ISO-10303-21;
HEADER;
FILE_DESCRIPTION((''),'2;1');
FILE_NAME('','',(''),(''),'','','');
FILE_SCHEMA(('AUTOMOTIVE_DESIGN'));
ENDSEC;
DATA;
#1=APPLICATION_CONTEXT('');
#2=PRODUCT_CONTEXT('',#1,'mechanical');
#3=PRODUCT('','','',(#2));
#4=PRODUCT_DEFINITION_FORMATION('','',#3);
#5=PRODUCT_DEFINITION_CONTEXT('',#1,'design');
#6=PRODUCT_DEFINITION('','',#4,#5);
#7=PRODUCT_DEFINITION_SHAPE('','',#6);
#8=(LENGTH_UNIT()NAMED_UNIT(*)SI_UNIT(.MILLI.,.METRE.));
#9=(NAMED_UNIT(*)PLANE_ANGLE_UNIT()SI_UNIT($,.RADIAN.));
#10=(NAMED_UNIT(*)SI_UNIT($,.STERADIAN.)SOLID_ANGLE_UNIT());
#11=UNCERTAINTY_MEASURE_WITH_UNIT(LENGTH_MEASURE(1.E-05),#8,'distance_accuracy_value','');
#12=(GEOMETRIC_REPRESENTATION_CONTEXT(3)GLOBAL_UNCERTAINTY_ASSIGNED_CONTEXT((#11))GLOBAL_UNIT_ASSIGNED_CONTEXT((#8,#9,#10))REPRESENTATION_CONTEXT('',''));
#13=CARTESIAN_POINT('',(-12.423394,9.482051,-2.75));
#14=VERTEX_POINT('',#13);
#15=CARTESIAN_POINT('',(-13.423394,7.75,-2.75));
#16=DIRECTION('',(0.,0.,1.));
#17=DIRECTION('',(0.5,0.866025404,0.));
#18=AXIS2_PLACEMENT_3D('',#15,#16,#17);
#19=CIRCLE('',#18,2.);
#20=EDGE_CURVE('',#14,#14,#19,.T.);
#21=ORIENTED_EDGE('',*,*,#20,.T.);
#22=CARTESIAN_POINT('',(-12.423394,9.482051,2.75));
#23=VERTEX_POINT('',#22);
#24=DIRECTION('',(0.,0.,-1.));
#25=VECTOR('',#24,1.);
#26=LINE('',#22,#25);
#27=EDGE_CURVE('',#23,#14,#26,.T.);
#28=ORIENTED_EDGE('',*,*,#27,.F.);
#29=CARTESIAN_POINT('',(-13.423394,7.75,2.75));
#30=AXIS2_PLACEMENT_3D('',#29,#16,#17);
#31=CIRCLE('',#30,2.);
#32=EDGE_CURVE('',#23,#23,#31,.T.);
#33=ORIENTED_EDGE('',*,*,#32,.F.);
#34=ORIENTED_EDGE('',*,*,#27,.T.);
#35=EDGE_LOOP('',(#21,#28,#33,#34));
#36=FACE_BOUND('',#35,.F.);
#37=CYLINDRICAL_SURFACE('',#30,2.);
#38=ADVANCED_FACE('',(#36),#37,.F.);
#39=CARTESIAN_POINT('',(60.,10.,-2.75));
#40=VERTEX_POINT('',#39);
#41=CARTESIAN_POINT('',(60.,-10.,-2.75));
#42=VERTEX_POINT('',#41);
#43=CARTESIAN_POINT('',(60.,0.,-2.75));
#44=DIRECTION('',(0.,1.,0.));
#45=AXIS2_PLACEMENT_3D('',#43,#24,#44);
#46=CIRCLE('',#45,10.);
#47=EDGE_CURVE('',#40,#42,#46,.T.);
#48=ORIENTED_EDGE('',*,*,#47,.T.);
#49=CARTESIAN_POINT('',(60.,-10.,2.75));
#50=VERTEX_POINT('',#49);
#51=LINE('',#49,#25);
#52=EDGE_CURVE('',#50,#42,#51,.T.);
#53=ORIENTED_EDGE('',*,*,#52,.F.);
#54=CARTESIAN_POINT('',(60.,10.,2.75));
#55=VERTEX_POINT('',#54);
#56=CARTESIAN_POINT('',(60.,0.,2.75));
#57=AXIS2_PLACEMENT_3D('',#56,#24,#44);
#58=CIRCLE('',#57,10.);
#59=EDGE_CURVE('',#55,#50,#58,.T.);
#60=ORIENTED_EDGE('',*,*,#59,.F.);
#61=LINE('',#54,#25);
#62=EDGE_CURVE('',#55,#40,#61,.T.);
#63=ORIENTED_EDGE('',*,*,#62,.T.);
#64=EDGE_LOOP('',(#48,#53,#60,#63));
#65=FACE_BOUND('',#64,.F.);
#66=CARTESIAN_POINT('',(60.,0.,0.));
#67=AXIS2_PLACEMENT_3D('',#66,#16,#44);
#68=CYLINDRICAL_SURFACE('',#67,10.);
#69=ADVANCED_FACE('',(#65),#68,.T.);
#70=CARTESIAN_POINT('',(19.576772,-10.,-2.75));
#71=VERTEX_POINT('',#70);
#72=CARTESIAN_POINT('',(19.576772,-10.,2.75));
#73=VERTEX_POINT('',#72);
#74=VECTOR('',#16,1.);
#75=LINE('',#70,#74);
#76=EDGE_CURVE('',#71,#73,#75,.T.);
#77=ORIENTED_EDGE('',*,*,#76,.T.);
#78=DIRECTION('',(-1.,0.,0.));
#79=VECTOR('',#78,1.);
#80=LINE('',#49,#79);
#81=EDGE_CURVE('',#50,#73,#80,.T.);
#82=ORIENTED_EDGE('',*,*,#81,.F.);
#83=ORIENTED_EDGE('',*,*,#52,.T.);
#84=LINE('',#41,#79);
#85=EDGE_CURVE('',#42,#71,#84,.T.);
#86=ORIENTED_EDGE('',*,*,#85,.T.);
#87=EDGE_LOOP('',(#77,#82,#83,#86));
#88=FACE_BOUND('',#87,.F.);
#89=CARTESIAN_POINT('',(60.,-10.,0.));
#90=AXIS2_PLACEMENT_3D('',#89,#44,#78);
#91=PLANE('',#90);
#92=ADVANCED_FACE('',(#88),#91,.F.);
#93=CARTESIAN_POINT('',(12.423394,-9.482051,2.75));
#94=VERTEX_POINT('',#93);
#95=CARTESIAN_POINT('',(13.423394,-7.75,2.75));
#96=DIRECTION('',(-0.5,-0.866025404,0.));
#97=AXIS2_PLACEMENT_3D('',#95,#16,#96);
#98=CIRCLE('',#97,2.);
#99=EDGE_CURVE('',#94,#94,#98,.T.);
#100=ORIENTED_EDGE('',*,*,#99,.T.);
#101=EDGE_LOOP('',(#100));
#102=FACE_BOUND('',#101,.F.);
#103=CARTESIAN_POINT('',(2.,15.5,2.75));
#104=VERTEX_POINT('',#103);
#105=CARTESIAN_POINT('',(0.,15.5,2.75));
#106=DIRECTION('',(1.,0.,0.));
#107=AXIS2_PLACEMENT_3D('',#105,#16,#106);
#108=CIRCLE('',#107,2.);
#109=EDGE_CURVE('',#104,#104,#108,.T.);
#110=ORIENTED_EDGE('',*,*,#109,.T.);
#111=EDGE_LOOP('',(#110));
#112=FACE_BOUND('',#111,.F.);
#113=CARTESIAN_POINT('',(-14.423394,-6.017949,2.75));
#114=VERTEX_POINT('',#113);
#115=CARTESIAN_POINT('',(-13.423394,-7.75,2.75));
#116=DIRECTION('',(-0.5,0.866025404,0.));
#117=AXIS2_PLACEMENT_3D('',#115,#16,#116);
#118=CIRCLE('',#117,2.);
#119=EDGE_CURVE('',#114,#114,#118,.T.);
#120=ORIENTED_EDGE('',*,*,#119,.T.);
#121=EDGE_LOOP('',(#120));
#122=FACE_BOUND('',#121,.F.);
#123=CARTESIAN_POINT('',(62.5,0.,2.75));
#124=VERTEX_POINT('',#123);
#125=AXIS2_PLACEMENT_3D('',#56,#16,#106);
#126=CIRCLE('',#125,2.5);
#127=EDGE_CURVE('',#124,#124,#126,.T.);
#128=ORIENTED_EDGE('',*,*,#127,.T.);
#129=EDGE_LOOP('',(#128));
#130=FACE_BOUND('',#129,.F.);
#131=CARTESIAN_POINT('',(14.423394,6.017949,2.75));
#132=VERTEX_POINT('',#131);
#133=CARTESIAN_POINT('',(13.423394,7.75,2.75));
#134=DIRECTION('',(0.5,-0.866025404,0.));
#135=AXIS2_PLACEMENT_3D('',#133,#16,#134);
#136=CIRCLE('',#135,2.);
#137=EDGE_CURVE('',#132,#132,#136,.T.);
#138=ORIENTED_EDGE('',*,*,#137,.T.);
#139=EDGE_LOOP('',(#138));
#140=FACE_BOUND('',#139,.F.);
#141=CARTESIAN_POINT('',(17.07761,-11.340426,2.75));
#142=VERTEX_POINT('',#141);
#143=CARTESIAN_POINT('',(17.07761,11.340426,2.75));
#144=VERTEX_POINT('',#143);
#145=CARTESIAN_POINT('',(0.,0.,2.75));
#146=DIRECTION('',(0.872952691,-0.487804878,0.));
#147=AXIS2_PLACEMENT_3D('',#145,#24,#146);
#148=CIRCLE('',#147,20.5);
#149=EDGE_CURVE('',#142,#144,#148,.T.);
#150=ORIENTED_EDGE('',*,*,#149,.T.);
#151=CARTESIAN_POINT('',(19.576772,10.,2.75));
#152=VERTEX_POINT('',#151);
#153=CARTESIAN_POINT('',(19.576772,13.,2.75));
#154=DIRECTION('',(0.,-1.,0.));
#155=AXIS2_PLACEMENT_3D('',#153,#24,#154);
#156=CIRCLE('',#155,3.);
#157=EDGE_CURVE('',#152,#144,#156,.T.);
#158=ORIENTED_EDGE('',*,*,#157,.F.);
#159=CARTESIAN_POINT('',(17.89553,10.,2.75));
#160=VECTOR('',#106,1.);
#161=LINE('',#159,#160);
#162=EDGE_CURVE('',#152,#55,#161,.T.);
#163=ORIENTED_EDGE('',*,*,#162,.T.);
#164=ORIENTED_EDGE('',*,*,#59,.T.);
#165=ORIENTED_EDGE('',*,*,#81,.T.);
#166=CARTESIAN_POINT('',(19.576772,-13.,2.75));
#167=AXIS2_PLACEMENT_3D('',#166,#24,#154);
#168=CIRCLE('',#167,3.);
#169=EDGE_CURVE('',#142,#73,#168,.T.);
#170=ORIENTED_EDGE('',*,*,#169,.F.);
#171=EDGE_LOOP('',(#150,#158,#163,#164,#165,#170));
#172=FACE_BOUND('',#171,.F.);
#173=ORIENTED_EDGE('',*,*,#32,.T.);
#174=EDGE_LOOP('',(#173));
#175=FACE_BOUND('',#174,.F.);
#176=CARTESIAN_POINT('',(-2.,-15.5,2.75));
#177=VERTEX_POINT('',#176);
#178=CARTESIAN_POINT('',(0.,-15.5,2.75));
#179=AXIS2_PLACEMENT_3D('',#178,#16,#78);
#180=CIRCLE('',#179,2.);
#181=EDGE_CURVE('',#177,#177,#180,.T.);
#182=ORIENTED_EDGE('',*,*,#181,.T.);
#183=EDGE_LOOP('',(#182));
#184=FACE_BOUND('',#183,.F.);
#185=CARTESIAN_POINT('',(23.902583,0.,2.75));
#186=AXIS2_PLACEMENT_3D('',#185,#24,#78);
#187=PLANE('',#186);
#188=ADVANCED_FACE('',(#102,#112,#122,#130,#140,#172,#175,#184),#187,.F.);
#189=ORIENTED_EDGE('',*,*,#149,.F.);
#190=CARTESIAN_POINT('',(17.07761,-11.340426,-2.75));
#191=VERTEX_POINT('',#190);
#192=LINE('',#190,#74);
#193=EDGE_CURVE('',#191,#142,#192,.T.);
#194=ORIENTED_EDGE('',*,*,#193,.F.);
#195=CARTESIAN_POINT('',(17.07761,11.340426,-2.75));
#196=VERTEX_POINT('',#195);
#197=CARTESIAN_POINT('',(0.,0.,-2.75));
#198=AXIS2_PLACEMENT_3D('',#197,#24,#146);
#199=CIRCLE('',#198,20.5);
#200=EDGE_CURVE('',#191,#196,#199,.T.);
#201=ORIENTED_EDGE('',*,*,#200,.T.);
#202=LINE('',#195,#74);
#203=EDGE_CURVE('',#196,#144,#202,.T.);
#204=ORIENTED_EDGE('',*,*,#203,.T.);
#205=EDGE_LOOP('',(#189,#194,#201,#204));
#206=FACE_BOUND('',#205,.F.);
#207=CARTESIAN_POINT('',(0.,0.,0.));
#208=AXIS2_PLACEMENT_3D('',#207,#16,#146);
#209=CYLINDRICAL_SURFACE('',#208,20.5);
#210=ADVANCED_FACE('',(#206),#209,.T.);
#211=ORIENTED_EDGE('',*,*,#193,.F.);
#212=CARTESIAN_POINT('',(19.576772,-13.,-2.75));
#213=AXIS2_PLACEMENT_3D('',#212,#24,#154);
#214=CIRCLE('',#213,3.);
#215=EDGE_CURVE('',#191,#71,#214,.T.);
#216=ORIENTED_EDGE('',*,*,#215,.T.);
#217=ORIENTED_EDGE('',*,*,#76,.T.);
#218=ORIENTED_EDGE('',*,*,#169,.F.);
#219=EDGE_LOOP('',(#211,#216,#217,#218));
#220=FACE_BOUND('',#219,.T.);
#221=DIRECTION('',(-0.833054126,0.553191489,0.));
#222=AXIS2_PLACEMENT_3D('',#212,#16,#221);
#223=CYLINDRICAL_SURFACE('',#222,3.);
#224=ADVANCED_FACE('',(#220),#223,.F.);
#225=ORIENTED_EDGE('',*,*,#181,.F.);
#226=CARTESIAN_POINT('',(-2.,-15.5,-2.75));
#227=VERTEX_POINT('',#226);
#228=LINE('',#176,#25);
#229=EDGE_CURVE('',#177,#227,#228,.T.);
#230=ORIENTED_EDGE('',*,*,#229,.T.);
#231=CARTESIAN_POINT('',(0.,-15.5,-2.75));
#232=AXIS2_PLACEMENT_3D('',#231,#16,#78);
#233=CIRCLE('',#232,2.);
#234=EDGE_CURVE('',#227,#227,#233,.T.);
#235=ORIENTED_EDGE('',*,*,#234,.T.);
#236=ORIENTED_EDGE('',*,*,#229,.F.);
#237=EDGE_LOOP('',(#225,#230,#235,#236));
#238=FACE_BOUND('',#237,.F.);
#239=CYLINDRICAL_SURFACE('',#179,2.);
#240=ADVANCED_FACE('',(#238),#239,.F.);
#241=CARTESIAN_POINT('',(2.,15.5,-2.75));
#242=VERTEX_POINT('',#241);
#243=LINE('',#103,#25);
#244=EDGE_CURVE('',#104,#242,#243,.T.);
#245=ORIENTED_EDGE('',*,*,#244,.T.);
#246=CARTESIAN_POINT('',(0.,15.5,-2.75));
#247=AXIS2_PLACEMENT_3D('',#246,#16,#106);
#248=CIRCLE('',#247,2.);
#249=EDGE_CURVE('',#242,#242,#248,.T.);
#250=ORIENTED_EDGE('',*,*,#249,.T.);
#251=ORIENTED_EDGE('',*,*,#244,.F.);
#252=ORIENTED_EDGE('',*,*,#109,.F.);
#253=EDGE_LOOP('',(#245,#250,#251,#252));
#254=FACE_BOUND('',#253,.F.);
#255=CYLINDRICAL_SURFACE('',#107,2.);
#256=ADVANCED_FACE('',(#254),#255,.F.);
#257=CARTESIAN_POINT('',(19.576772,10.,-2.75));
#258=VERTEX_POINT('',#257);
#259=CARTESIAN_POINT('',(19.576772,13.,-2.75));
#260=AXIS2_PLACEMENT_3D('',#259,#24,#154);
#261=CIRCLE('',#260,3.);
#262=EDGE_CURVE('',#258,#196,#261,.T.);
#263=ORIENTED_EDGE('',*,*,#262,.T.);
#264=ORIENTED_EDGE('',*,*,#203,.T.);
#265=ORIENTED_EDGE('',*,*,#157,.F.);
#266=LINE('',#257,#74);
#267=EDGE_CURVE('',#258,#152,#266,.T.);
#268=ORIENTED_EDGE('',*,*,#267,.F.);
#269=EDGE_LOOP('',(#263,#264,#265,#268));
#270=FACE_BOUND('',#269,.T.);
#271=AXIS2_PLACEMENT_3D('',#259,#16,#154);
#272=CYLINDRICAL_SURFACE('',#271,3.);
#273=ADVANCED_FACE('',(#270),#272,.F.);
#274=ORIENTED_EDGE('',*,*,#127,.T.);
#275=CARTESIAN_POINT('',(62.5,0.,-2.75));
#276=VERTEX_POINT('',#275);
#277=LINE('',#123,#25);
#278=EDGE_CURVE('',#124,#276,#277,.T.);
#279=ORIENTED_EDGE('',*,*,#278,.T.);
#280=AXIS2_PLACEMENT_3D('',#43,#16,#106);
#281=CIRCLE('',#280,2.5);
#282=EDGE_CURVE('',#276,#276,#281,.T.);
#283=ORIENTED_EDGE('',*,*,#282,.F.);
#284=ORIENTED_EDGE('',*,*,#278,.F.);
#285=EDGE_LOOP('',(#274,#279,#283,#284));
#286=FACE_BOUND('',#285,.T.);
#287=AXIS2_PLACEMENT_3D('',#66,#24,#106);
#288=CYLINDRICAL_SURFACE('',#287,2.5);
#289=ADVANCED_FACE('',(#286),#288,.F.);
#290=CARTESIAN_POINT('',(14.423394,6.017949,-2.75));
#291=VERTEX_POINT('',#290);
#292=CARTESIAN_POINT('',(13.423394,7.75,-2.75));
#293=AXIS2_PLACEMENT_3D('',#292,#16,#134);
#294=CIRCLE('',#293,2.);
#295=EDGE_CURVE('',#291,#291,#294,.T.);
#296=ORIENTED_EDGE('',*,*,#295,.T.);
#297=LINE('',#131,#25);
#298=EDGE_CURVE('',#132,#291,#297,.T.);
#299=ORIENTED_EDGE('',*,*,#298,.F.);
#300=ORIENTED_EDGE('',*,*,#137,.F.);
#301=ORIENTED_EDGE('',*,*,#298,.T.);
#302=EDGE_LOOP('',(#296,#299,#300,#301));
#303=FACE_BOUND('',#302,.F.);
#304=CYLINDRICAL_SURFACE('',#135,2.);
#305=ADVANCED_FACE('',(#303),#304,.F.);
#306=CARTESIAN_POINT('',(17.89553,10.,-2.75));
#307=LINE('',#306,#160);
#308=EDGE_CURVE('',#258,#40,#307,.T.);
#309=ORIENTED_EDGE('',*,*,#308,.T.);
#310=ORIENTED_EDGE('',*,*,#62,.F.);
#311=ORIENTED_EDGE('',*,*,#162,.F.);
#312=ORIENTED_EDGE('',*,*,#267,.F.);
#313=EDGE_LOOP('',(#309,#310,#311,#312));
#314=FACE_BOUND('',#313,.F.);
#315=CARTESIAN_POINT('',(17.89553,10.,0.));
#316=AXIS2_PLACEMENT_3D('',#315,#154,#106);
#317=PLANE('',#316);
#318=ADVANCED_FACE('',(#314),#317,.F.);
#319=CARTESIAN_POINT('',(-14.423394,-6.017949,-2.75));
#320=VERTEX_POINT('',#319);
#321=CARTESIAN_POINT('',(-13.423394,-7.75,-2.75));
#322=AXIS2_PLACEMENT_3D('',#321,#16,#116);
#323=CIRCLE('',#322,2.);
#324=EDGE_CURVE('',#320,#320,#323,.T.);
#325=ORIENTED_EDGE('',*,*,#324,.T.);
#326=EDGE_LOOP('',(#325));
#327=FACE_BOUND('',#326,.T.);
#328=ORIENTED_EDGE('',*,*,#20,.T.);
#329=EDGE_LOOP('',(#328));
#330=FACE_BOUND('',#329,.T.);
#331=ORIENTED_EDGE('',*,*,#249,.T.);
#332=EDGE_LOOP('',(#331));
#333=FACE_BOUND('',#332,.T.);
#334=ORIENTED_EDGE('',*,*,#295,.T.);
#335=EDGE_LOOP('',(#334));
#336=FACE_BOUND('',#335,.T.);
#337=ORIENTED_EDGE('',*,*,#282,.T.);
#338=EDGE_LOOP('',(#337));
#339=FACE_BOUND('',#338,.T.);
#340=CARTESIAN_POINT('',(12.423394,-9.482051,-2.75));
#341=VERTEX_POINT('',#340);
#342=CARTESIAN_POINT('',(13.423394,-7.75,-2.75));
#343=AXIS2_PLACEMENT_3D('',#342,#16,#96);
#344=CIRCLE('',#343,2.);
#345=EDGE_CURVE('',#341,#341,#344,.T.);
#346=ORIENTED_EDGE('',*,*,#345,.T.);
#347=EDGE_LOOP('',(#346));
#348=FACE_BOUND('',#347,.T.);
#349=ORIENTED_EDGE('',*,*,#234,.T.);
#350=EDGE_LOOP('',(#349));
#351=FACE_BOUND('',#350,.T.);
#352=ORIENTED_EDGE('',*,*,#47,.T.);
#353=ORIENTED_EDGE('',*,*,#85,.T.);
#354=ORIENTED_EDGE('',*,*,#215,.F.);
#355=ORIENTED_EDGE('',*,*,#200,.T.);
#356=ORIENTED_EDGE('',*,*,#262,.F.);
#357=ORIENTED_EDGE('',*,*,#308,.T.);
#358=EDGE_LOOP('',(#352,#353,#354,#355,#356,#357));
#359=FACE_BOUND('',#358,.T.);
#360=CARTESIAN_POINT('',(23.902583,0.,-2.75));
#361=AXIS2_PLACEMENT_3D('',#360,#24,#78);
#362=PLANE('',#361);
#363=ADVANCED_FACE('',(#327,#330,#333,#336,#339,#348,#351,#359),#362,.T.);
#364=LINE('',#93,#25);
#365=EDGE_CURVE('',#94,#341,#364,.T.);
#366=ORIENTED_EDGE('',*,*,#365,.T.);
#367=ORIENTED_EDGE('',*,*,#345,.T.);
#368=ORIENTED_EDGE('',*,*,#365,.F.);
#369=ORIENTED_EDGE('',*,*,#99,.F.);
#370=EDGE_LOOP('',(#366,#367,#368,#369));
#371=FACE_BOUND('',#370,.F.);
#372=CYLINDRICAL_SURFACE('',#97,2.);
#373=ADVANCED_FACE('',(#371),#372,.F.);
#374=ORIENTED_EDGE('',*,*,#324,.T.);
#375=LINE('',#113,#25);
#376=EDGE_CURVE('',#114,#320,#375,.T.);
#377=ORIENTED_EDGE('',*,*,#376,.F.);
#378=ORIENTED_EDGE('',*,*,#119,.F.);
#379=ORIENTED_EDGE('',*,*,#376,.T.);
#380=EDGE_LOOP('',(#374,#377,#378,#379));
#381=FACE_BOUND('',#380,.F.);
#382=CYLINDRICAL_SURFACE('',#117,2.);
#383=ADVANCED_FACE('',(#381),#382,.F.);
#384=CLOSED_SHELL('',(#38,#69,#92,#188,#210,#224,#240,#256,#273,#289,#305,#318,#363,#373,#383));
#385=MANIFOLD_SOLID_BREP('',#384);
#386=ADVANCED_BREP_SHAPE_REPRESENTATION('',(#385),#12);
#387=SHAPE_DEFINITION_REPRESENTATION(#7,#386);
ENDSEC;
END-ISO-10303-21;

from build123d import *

# Parameters (mm, degrees)
SKETCH_1_R               = 2.5
EXTRUDE_1_DEPTH          = 2.75
CUT_EXTRUDE_1_REACH      = 75.147
SKETCH_2_R               = 2
PATTERN_CIRCULAR_1_COUNT = 6
FILLET_1_R               = 3


with BuildPart() as part:
    # 草圖1 → 填料-伸長1 (new, symmetric)
    with BuildSketch(Plane.XY):
        with BuildLine():
            Line((17.895530168, 10), (60, 10))
            ThreePointArc((60, 10), (70, 0), (60, -10))
            Line((60, -10), (17.895530168, -10))
            ThreePointArc((17.895530168, -10), (-20.5, 0), (17.895530168, 10))
        make_face()
        with Locations((60, 0)):
            Circle(SKETCH_1_R, mode=Mode.SUBTRACT)
    extrude(amount=EXTRUDE_1_DEPTH, both=True)

    # 草圖2 → 除料-伸長1 (cut, up to next)
    with BuildSketch(Plane.XY.offset(2.75), mode=Mode.PRIVATE) as cut_extrude_1_sk1:
        with Locations((0, 15.5)):
            Circle(SKETCH_2_R)
    cut_extrude_1_tool1 = extrude(cut_extrude_1_sk1.sketch, amount=-CUT_EXTRUDE_1_REACH, mode=Mode.PRIVATE) & part.part
    cut_extrude_1 = cut_extrude_1_tool1.solids().sort_by_distance((0, 15.5, 2.75))[0]
    add(cut_extrude_1, mode=Mode.SUBTRACT)

    # 環狀複製排列1: 除料-伸長1 ×6 about axis
    pattern_circular_1_axis = Axis((0, 0, 0), (0, 0, 1))
    for i in range(1, PATTERN_CIRCULAR_1_COUNT):
        add(cut_extrude_1.rotate(pattern_circular_1_axis, i * 360 / PATTERN_CIRCULAR_1_COUNT), mode=Mode.SUBTRACT)

    # 圓角1
    fillet_1_edges = [part.edges().sort_by_distance(p)[0] for p in [
        (17.895530168, 10, 0),
        (17.895530168, -10, 0),
    ]]
    fillet(fillet_1_edges, radius=FILLET_1_R)


solid = part.part
